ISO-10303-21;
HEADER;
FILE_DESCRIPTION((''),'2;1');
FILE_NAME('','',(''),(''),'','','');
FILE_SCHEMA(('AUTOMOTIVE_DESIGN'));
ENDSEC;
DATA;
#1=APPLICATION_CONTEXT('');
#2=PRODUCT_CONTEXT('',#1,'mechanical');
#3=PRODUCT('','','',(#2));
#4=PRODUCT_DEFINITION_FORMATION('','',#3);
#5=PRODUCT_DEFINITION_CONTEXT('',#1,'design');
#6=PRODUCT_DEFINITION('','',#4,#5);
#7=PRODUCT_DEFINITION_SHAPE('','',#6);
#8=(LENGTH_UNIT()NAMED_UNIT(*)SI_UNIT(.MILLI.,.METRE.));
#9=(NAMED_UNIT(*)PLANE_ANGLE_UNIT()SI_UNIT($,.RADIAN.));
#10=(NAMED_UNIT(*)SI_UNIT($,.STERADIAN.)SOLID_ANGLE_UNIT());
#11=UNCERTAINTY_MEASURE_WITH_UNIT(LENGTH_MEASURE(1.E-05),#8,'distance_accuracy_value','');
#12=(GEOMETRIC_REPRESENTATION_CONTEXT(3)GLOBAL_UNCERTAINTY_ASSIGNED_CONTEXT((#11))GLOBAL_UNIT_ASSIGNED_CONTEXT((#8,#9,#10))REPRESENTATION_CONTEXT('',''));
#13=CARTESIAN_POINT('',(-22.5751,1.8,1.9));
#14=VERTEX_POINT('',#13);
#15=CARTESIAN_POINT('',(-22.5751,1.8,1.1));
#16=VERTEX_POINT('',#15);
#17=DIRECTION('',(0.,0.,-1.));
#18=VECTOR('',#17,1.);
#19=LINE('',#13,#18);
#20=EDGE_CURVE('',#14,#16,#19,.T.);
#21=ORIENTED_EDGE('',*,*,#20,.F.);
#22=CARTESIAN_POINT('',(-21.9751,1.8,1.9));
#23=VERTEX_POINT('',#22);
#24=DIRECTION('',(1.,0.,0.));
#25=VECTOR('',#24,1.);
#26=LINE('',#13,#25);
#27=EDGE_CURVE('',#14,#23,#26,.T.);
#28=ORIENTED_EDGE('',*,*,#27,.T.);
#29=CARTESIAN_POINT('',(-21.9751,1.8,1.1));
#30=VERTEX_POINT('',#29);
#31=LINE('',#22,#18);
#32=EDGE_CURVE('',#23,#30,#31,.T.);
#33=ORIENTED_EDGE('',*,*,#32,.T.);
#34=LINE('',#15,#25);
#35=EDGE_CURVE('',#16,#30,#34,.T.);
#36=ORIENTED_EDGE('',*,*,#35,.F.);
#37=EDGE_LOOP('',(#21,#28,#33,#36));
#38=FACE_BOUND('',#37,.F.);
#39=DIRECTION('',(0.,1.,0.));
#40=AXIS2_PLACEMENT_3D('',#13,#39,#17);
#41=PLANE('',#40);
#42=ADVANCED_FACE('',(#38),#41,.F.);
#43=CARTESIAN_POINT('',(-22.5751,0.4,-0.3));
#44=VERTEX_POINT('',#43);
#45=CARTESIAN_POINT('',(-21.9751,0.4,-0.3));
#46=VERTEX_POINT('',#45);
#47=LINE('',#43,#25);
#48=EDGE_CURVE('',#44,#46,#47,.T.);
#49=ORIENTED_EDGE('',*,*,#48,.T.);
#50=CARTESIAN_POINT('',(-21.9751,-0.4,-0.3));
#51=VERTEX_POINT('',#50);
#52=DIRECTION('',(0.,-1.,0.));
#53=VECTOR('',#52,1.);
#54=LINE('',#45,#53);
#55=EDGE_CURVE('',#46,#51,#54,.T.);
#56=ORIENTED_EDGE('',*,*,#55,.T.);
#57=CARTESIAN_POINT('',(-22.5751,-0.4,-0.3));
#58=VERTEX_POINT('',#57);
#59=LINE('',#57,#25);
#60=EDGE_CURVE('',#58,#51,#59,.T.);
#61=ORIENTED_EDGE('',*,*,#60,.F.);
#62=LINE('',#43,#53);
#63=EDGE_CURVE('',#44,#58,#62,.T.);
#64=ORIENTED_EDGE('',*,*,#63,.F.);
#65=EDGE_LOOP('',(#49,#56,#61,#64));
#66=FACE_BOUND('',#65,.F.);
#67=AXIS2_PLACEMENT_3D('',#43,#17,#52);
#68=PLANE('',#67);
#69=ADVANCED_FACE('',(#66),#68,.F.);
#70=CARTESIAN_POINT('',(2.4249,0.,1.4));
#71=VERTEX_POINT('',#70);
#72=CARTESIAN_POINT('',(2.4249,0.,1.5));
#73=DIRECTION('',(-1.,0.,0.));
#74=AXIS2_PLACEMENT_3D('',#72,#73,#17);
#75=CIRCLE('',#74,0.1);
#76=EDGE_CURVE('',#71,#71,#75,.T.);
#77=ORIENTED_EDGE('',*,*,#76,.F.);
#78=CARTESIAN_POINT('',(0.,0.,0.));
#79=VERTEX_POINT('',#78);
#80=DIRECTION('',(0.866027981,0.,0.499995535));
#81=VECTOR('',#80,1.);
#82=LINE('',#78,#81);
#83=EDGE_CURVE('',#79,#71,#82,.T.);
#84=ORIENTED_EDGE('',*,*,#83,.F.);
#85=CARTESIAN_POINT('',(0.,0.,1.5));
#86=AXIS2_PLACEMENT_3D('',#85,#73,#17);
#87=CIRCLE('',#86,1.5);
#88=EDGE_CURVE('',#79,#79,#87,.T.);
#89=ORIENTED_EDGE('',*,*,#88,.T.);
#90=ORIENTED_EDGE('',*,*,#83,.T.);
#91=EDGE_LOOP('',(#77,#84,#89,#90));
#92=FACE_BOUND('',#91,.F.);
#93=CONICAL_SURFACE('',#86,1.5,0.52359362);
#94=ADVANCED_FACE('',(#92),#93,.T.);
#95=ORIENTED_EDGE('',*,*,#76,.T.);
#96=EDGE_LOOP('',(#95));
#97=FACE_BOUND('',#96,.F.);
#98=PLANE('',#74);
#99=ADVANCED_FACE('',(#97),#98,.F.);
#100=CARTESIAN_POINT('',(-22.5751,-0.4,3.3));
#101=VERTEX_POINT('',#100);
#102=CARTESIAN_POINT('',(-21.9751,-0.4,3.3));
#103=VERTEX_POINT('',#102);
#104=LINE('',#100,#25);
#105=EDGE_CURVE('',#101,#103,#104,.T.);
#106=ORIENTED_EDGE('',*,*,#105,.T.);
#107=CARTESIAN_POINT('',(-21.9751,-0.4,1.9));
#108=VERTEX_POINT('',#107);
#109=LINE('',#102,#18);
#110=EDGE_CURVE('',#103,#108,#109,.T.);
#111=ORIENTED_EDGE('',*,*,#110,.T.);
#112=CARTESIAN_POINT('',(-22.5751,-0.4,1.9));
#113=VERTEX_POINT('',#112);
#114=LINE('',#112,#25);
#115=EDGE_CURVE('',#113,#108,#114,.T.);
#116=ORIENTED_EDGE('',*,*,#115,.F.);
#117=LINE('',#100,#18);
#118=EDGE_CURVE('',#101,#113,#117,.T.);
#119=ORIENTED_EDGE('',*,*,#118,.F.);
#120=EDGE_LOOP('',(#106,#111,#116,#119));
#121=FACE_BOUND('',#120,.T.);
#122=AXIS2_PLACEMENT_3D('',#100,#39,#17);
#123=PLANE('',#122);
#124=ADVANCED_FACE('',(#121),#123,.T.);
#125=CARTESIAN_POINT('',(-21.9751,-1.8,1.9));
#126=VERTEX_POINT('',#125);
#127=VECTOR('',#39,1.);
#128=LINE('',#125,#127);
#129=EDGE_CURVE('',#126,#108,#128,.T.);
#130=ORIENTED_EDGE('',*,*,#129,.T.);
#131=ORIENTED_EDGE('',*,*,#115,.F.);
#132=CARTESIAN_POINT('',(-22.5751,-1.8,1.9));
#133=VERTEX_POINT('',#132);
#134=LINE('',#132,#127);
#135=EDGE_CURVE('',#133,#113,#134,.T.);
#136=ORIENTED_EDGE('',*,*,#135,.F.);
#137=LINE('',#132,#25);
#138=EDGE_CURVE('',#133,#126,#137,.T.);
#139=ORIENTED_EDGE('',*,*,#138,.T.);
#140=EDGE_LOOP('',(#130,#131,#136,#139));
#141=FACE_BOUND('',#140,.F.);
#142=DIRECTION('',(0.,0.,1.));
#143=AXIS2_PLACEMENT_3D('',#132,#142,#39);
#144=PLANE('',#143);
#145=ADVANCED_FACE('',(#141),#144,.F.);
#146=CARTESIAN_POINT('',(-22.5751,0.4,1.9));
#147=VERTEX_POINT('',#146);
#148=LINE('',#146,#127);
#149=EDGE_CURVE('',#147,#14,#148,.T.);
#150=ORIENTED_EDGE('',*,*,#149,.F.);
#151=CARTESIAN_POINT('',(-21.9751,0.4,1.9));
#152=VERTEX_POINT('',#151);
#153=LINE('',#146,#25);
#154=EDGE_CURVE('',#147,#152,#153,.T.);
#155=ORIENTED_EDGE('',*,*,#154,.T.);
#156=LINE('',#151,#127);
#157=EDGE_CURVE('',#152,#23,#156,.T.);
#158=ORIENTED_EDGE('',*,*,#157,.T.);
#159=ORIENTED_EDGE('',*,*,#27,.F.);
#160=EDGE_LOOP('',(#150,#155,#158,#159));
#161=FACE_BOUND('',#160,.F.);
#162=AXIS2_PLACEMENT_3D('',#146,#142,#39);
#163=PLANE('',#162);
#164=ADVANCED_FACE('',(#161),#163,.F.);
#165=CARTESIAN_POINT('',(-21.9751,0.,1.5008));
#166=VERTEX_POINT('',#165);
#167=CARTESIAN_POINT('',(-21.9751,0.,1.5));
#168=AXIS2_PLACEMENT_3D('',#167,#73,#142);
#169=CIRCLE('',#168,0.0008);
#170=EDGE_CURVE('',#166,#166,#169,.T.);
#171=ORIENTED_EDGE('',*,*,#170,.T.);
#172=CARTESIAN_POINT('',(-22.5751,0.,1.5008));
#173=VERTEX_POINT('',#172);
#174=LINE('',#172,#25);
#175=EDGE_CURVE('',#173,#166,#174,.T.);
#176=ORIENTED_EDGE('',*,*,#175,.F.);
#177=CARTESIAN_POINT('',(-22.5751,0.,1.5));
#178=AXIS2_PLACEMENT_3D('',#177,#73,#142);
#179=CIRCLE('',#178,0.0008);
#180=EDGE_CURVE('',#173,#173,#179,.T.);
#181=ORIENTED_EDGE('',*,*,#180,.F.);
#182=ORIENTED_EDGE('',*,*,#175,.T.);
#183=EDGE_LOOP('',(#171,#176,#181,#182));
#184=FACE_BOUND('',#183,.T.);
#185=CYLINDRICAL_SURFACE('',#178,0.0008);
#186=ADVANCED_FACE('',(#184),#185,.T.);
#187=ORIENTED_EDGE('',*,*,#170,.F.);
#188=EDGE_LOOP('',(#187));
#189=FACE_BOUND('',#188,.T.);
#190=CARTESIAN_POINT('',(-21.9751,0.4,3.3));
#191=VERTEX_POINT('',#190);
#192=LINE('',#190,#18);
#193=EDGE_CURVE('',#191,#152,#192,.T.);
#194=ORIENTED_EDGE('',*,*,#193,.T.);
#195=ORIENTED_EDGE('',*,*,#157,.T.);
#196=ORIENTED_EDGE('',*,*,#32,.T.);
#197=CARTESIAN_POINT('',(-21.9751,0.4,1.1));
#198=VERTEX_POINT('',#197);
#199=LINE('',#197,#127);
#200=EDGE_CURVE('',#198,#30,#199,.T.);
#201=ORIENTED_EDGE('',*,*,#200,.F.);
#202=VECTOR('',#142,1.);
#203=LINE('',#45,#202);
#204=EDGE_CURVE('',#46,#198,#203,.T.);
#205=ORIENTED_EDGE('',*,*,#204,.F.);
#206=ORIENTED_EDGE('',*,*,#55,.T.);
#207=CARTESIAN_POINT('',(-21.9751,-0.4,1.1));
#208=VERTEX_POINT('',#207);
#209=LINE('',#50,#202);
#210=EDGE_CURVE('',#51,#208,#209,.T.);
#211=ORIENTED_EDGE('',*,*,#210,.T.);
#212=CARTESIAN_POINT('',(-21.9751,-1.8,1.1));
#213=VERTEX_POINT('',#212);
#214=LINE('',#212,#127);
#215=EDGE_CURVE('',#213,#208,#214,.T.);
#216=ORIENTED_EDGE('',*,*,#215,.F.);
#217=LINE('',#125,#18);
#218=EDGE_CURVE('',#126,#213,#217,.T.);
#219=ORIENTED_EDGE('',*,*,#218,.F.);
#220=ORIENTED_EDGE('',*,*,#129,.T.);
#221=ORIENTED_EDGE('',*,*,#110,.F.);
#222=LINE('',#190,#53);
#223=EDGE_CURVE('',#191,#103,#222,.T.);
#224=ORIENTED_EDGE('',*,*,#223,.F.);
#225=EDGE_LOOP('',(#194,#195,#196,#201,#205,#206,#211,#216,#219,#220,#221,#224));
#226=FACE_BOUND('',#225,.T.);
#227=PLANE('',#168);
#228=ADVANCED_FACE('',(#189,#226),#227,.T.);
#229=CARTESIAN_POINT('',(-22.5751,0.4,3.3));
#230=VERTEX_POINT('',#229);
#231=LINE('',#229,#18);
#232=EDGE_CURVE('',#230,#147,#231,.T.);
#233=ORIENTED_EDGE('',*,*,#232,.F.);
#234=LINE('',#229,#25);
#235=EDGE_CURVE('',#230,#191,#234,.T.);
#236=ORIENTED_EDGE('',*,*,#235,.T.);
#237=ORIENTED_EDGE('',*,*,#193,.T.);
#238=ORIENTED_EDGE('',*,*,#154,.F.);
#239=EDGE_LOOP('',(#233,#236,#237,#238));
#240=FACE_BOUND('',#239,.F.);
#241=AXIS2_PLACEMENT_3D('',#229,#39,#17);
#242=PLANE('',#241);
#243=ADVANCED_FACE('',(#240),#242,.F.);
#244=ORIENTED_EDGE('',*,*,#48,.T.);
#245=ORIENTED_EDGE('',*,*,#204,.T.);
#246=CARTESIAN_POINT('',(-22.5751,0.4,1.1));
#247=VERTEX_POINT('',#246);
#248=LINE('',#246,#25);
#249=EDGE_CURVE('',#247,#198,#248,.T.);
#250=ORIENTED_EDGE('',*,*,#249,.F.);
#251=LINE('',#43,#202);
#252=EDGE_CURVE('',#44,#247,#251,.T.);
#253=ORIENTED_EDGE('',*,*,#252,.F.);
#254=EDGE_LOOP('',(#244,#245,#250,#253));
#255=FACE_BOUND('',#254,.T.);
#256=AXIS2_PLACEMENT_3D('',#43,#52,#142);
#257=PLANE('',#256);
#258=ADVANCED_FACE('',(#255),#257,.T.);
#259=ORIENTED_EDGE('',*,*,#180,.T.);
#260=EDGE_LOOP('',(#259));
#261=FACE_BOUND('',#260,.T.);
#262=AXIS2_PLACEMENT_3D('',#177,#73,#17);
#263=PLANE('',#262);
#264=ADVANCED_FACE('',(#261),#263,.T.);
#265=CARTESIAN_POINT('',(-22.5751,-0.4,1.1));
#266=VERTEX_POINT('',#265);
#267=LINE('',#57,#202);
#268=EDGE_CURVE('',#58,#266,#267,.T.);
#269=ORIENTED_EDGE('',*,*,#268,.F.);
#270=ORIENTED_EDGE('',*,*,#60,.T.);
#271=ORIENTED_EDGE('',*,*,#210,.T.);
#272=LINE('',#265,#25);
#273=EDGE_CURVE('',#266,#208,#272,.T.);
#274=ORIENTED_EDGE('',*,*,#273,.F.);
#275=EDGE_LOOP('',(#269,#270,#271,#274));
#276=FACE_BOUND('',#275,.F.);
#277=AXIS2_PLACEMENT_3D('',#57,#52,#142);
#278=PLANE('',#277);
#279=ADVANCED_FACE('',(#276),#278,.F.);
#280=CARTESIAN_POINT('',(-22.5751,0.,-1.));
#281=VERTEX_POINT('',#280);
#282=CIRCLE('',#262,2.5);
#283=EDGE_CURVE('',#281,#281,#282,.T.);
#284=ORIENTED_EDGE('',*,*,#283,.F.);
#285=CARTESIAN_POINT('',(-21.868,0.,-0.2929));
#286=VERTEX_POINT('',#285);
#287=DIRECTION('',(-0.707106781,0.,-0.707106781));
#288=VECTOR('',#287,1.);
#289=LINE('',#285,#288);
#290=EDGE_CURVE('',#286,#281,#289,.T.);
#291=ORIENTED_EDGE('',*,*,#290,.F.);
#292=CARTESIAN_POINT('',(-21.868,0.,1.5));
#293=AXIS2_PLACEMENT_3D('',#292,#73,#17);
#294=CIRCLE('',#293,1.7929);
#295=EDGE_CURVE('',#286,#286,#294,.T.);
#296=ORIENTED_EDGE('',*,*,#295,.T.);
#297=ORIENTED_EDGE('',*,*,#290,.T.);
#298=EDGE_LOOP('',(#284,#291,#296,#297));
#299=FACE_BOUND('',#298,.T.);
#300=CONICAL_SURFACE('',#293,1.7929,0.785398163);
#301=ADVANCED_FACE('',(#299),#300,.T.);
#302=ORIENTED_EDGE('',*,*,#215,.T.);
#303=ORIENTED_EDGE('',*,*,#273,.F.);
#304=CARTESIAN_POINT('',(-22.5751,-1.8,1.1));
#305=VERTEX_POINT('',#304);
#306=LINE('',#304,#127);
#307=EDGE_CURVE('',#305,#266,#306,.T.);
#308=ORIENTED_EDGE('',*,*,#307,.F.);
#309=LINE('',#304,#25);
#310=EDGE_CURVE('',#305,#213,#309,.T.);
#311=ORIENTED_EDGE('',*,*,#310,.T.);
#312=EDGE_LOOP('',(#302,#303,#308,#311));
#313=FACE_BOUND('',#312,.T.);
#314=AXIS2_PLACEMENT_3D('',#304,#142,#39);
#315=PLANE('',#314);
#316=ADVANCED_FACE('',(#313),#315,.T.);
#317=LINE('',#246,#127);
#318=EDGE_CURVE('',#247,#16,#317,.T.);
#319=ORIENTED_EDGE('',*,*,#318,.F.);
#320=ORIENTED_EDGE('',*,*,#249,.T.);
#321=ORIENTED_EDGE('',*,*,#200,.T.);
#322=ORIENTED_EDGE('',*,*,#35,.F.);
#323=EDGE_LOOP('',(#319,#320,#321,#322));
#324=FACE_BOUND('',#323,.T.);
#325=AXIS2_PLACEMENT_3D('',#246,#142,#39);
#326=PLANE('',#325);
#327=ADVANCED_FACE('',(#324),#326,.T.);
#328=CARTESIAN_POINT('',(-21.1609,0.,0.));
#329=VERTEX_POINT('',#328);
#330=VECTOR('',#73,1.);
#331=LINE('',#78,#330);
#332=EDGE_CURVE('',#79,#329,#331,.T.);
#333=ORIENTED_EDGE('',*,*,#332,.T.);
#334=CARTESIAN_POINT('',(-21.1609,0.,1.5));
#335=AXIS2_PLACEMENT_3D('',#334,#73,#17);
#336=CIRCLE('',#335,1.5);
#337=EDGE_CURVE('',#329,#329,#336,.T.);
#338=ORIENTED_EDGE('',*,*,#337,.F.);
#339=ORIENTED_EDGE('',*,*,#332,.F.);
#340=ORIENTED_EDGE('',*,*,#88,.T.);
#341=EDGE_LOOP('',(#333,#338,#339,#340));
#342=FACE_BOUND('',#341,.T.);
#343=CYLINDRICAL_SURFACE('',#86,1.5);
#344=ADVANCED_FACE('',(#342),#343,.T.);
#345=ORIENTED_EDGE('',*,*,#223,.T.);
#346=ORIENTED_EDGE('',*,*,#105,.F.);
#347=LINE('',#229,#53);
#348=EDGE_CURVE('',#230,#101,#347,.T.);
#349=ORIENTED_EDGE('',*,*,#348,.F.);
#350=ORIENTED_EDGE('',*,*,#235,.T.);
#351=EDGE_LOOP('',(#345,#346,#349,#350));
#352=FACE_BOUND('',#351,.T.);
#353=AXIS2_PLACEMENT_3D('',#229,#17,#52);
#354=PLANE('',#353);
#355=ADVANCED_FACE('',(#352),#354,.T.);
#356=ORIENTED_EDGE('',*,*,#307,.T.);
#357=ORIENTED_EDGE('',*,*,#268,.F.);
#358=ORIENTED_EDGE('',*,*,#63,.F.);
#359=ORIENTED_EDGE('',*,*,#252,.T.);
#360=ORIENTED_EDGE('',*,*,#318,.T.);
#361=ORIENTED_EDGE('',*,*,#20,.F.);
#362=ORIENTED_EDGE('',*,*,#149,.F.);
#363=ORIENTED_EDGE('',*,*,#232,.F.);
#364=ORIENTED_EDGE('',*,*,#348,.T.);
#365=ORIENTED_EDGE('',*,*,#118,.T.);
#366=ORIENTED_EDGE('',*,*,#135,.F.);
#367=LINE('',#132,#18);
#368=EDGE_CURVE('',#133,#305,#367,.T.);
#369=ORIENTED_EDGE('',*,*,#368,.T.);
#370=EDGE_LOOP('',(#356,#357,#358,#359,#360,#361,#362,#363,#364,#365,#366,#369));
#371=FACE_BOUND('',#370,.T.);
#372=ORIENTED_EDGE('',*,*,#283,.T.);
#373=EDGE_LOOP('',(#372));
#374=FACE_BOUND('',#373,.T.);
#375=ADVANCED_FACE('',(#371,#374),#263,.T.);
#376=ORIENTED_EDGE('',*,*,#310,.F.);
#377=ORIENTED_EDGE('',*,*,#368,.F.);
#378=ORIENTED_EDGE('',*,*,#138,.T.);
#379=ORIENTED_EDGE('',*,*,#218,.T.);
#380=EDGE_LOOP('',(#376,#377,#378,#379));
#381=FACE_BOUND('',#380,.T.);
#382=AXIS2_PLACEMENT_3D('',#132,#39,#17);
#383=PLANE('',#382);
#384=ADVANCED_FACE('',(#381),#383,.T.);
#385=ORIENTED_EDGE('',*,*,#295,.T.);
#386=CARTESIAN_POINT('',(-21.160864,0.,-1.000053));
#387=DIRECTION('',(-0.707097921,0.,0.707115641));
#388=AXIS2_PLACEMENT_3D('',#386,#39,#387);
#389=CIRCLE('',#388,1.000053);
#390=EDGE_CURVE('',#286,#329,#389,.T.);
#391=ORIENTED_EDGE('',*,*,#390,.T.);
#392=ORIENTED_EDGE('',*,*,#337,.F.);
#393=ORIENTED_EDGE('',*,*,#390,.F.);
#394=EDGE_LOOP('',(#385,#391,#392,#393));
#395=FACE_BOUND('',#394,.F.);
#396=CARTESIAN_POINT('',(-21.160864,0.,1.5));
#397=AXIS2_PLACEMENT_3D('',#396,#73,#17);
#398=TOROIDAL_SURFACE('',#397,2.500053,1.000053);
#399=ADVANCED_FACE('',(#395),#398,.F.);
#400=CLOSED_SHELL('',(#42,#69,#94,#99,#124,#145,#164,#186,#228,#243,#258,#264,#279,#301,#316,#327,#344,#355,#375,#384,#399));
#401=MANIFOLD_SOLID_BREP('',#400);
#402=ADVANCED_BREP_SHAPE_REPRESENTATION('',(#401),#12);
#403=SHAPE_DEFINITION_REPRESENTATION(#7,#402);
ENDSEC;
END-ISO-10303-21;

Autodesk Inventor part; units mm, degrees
ref_plane "YZ Plane" through (0, 0, 0) normal (1, 0, 0) x (0, 1, 0)
ref_plane "XZ Plane" through (0, 0, 0) normal (0, 1, 0) x (-1, 0, 0)
ref_plane "XY Plane" through (0, 0, 0) normal (0, 0, 1) x (1, 0, 0)
sketch "Skizze1" plane through (0, 0, 0) normal (0, 1, 0) x (-1, 0, 0)
  line L0 (0, 0) -> (21.1609, 0)
  line L1 (0, 0) -> (-2.4249, 1.4)
  line L2 (0, 0) -> (2.8, 0) construction
  line L3 (21.868, -0.2929) -> (22.5751, -1)
  line L4 (-2.4249, 1.4) -> (-2.4249, 1.5)
  line L5 (-2.4249, 1.5) -> (22.5751, 1.5)
  line L6 (22.5751, -1) -> (22.5751, 1.5)
  arc A0 (21.868, -0.2929) -> (21.1609, 0) centre (21.1609, -1) ccw
  point P0 (21.5751, 0)
  dimension "d22" = 0.1
  dimension "d23" = 25
  dimension "d32" = 1
  dimension "d52" = 1.5
  dimension "d53" = 135
  dimension "d54" = 2.5
  dimension "d55" = 30
revolve "Umdrehung1" add sketch "Skizze1" angle 360 about axis through (2.4249, 0, 1.5) along (-1, 0, 0)
thread "Gewinde1" size "R 1/16" standard "ISO Taper" length 21
sketch "Skizze2" plane through (-22.5751, 0, 1.5) normal (-1, 0, 0) x (0, 0, 1)
  circle A0 centre (0, 0) radius 0.0008 projected
  line L0 (0.4, 1.8) -> (-0.4, 1.8)
  line L1 (0.4, -1.8) -> (-0.4, -1.8)
  line L2 (1.8, 0.4) -> (1.8, -0.4)
  line L3 (-1.8, 0.4) -> (-1.8, -0.4)
  line L4 (-1.8, -0.4) -> (-0.4, -0.4)
  line L5 (-1.8, 0.4) -> (-0.4, 0.4)
  line L6 (1.8, 0.4) -> (0.4, 0.4)
  line L7 (1.8, -0.4) -> (0.4, -0.4)
  line L8 (0.4, -1.8) -> (0.4, -0.4)
  line L9 (0.4, 0.4) -> (0.4, 1.8)
  line L10 (-0.4, -1.8) -> (-0.4, -0.4)
  line L11 (-0.4, 0.4) -> (-0.4, 1.8)
  point P0 (-1.5, 0)
  dimension "d48" = 0.8
  dimension "d49" = 0.8
  dimension "d56" = 1.8
  dimension "d57" = 1.8
  dimension "d58" = 1.8
  dimension "d59" = 1.8
  dimension "d61" = 0.8
  dimension "d62" = 0.8
  dimension "d63" = 0.4
  dimension "d64" = 0.4
  dimension "d65" = 0.4
  dimension "d66" = 0.4
extrude "Extrusion2" cut sketch "Skizze2" against normal blind 0.6
properties part number "Wettterstation_Schraube" material "Edelstahl"
